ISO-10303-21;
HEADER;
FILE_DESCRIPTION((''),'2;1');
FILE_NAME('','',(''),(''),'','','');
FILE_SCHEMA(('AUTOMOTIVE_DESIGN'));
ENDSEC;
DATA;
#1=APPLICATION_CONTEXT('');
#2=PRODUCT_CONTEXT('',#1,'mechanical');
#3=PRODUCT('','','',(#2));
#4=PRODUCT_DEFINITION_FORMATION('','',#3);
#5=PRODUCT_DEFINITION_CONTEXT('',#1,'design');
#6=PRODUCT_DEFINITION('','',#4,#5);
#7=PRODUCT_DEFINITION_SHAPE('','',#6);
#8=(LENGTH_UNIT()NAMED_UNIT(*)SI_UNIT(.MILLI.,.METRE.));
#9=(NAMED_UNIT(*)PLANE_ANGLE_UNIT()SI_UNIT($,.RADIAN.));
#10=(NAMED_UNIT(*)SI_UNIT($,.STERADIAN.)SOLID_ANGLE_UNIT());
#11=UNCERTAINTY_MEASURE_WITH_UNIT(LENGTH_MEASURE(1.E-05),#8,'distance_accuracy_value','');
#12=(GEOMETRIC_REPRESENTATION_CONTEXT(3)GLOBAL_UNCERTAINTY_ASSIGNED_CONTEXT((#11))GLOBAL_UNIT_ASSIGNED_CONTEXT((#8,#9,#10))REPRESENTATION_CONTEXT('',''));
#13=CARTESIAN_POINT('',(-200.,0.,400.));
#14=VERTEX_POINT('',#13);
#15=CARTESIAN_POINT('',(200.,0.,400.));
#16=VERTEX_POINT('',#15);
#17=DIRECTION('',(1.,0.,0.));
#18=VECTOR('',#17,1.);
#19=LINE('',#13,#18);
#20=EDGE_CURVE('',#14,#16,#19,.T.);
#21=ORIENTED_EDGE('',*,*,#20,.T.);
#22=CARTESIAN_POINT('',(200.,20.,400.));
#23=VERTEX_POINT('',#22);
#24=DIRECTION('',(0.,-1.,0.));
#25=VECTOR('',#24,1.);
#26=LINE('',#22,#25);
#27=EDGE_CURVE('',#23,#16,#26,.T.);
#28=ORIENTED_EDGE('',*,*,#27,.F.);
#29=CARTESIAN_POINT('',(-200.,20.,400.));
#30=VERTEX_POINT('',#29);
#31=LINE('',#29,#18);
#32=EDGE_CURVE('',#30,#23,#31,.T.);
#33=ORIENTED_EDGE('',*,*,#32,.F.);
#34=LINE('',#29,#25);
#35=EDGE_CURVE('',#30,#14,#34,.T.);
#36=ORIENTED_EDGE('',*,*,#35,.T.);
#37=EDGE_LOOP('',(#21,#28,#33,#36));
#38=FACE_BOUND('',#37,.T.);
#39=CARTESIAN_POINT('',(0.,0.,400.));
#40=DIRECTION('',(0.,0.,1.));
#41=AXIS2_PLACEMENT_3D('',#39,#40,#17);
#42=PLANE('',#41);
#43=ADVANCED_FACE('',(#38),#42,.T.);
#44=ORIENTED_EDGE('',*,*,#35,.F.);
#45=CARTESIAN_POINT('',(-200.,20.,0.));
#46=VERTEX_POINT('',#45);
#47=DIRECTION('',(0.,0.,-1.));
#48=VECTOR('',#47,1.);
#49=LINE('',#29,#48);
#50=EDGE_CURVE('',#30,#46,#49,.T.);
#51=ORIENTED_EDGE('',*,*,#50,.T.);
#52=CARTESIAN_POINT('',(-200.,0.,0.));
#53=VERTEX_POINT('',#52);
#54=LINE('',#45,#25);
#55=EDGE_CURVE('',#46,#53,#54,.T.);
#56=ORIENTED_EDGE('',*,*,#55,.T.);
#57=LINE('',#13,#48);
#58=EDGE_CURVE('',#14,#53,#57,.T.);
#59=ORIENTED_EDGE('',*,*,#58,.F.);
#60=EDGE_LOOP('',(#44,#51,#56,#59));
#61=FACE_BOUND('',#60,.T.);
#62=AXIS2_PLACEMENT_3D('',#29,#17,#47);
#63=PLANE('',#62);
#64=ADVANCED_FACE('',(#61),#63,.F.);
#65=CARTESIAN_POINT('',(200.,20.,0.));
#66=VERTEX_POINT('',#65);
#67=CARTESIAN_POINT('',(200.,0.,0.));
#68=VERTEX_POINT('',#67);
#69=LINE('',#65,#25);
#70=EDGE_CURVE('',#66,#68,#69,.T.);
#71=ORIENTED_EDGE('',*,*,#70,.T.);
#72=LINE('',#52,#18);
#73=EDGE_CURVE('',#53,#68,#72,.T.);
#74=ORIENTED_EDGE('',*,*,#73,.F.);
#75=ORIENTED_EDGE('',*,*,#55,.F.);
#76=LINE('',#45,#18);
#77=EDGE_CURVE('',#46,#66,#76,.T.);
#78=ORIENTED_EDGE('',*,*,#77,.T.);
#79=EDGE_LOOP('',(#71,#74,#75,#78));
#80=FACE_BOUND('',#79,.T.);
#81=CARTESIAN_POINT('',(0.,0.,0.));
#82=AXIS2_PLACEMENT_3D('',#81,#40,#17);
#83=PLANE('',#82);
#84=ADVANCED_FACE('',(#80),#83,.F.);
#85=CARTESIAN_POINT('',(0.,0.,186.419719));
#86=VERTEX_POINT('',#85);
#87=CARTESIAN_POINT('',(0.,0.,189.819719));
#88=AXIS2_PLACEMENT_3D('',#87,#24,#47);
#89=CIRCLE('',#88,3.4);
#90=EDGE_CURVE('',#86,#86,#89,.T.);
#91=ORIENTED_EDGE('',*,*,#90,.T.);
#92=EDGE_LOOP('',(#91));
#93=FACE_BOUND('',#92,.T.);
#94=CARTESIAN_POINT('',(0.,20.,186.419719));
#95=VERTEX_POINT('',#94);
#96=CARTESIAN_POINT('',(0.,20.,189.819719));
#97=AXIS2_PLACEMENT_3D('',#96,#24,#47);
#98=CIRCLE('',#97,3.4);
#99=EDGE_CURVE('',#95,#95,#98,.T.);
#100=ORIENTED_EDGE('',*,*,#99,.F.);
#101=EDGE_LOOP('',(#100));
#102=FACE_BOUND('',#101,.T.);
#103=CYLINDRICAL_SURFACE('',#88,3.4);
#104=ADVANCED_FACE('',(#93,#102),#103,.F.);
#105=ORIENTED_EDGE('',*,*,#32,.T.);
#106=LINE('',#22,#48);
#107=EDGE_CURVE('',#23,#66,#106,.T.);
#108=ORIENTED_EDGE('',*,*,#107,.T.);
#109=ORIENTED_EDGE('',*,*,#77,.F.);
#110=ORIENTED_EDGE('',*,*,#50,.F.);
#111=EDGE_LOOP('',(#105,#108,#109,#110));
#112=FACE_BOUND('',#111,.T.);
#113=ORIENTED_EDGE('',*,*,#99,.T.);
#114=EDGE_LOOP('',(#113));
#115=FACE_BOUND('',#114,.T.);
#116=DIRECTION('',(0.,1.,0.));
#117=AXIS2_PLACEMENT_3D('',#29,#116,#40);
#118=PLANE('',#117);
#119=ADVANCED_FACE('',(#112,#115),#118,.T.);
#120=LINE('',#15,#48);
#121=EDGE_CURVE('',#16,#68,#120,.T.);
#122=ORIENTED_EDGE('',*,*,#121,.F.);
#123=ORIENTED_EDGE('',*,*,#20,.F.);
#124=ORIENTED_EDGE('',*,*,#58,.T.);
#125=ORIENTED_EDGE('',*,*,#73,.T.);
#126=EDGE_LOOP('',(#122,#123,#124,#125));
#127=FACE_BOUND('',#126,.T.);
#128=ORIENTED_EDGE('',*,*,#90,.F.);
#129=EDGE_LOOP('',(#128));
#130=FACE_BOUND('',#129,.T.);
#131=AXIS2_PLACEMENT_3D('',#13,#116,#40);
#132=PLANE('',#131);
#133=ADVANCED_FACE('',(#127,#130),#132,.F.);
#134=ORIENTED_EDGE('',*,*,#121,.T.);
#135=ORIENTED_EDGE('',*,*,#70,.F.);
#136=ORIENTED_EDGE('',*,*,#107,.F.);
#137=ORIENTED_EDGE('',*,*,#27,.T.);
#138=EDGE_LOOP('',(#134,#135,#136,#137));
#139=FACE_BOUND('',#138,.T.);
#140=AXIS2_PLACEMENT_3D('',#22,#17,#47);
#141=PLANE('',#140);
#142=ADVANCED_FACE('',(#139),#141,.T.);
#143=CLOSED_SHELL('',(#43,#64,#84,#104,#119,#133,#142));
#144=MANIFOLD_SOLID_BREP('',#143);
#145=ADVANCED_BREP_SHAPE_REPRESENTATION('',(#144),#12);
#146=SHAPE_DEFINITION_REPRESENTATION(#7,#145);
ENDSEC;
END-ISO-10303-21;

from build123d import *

# Parameters (mm, degrees)
ESQUISSE1_W        = 400
ESQUISSE1_H        = 20
BOSS_EXTRU_1_DEPTH = 400
TROU_TARAUD_M81_D  = 6.8


with BuildPart() as part:
    # Esquisse1 → Boss.-Extru.1 (new body)
    with BuildSketch(Plane.XY):
        with Locations((0, 10)):
            Rectangle(ESQUISSE1_W, ESQUISSE1_H)
    extrude(amount=BOSS_EXTRU_1_DEPTH)

    # Trou taraudé M81 (through all)
    with Locations(Plane(origin=(0, 0, 0), x_dir=(-1, 0, 0), z_dir=(0, -1, 0))):
        with Locations((0, -189.819719024)):
            Hole(TROU_TARAUD_M81_D / 2)


solid = part.part
